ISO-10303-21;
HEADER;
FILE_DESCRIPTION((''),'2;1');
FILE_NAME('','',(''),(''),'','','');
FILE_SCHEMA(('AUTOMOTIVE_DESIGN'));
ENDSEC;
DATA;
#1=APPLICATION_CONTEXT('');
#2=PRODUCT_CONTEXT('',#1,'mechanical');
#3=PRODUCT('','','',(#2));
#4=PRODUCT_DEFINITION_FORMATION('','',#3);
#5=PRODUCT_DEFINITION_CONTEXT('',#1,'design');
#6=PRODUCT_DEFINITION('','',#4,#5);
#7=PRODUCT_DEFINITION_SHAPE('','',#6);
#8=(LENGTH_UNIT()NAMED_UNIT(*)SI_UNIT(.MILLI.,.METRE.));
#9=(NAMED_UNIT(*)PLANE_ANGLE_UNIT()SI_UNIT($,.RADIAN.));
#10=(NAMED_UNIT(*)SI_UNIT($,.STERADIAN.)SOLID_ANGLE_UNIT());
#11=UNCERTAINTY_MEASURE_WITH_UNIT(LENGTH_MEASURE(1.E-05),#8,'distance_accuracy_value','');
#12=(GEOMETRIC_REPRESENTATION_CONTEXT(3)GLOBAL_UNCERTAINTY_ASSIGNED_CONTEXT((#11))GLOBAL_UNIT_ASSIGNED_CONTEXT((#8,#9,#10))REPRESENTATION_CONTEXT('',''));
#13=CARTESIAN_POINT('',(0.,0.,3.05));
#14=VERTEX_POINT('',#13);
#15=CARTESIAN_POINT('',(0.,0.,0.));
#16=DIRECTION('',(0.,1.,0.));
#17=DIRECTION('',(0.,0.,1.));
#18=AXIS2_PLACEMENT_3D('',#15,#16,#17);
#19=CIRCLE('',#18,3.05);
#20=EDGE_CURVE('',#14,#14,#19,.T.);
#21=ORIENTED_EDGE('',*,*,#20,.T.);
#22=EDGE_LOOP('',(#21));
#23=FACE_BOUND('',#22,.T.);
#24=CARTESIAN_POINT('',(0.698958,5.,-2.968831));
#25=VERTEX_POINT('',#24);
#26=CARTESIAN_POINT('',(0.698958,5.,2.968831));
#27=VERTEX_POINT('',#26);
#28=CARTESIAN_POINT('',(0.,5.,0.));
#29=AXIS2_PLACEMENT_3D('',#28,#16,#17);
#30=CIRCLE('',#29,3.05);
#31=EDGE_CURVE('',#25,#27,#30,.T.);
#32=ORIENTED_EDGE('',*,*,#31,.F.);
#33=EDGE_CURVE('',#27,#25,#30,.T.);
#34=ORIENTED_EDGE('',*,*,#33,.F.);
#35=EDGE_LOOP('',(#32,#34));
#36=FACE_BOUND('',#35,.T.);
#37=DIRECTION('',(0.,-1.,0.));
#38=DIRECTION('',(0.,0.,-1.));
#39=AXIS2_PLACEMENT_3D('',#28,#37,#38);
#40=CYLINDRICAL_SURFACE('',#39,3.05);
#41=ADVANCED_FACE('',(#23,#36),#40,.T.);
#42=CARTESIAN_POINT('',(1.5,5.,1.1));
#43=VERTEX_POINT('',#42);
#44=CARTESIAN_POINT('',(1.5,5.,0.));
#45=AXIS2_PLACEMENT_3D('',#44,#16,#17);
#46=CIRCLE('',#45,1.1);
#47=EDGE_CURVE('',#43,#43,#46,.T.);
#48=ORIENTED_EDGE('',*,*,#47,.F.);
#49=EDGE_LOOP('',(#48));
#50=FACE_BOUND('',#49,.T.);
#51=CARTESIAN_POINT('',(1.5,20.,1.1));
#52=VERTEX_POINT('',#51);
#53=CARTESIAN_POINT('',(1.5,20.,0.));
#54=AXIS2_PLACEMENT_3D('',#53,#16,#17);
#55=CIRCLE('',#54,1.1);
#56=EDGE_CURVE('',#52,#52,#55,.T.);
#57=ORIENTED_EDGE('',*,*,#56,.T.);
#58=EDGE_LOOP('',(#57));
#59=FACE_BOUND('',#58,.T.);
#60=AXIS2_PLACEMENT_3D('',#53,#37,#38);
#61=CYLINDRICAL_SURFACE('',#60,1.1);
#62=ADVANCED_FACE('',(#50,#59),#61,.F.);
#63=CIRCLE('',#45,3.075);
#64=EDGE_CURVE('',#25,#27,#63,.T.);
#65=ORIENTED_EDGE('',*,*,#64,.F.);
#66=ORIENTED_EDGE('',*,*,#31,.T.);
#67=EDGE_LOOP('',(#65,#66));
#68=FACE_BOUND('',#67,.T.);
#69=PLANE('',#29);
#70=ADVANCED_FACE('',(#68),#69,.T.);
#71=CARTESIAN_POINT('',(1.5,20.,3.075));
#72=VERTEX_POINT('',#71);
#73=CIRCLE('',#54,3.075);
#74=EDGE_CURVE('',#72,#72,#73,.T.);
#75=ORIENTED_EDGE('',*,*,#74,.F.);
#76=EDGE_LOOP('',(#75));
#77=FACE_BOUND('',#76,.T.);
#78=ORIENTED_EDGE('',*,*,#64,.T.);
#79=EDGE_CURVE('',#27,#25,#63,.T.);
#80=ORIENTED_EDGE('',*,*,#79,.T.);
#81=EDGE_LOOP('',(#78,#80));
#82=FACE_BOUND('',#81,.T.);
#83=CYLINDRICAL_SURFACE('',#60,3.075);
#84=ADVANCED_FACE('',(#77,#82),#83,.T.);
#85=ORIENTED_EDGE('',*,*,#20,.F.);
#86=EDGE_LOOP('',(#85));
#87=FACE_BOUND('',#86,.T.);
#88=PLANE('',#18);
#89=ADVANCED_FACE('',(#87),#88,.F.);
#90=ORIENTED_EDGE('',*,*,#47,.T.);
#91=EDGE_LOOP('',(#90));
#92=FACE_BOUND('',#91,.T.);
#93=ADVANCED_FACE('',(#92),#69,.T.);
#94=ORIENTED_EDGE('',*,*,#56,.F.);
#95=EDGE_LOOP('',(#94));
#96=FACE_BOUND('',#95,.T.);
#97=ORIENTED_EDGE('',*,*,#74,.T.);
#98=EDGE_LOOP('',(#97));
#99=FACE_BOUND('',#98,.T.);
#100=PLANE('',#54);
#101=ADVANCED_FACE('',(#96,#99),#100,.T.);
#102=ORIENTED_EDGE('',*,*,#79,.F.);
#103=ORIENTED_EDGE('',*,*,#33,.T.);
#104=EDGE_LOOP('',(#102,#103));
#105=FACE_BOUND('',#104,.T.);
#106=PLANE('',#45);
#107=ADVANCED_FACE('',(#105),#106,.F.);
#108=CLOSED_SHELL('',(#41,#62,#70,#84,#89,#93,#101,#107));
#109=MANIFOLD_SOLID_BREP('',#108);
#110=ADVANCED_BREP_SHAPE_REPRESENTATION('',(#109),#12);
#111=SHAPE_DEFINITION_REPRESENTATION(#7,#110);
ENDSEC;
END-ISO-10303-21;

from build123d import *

# Parameters (mm, degrees)
SKETCH1_R           = 3.05
BOSS_EXTRUDE1_DEPTH = 5
SKETCH2_R           = 3.075
SKETCH2_R_2         = 1.1
BOSS_EXTRUDE2_DEPTH = 15


with BuildPart() as part:
    # Sketch1 → Boss-Extrude1 (new body)
    with BuildSketch(Plane(origin=(0, 0, 0), x_dir=(1, 0, 0), z_dir=(0, 1, 0))):
        with Locations(Location((0, 0, 0), (0, 0, 270))):
            Circle(SKETCH1_R)
    extrude(amount=BOSS_EXTRUDE1_DEPTH)

    # Sketch2 → Boss-Extrude2 (add)
    with BuildSketch(Plane(origin=(0, 5, 0), x_dir=(1, 0, 0), z_dir=(0, 1, 0))):
        with Locations(Location((1.5, 0, 0), (0, 0, 105.099812849))):
            Circle(SKETCH2_R)
        with Locations(Location((1.5, 0, 0), (0, 0, 270))):
            Circle(SKETCH2_R_2, mode=Mode.SUBTRACT)
    extrude(amount=BOSS_EXTRUDE2_DEPTH)


solid = part.part
